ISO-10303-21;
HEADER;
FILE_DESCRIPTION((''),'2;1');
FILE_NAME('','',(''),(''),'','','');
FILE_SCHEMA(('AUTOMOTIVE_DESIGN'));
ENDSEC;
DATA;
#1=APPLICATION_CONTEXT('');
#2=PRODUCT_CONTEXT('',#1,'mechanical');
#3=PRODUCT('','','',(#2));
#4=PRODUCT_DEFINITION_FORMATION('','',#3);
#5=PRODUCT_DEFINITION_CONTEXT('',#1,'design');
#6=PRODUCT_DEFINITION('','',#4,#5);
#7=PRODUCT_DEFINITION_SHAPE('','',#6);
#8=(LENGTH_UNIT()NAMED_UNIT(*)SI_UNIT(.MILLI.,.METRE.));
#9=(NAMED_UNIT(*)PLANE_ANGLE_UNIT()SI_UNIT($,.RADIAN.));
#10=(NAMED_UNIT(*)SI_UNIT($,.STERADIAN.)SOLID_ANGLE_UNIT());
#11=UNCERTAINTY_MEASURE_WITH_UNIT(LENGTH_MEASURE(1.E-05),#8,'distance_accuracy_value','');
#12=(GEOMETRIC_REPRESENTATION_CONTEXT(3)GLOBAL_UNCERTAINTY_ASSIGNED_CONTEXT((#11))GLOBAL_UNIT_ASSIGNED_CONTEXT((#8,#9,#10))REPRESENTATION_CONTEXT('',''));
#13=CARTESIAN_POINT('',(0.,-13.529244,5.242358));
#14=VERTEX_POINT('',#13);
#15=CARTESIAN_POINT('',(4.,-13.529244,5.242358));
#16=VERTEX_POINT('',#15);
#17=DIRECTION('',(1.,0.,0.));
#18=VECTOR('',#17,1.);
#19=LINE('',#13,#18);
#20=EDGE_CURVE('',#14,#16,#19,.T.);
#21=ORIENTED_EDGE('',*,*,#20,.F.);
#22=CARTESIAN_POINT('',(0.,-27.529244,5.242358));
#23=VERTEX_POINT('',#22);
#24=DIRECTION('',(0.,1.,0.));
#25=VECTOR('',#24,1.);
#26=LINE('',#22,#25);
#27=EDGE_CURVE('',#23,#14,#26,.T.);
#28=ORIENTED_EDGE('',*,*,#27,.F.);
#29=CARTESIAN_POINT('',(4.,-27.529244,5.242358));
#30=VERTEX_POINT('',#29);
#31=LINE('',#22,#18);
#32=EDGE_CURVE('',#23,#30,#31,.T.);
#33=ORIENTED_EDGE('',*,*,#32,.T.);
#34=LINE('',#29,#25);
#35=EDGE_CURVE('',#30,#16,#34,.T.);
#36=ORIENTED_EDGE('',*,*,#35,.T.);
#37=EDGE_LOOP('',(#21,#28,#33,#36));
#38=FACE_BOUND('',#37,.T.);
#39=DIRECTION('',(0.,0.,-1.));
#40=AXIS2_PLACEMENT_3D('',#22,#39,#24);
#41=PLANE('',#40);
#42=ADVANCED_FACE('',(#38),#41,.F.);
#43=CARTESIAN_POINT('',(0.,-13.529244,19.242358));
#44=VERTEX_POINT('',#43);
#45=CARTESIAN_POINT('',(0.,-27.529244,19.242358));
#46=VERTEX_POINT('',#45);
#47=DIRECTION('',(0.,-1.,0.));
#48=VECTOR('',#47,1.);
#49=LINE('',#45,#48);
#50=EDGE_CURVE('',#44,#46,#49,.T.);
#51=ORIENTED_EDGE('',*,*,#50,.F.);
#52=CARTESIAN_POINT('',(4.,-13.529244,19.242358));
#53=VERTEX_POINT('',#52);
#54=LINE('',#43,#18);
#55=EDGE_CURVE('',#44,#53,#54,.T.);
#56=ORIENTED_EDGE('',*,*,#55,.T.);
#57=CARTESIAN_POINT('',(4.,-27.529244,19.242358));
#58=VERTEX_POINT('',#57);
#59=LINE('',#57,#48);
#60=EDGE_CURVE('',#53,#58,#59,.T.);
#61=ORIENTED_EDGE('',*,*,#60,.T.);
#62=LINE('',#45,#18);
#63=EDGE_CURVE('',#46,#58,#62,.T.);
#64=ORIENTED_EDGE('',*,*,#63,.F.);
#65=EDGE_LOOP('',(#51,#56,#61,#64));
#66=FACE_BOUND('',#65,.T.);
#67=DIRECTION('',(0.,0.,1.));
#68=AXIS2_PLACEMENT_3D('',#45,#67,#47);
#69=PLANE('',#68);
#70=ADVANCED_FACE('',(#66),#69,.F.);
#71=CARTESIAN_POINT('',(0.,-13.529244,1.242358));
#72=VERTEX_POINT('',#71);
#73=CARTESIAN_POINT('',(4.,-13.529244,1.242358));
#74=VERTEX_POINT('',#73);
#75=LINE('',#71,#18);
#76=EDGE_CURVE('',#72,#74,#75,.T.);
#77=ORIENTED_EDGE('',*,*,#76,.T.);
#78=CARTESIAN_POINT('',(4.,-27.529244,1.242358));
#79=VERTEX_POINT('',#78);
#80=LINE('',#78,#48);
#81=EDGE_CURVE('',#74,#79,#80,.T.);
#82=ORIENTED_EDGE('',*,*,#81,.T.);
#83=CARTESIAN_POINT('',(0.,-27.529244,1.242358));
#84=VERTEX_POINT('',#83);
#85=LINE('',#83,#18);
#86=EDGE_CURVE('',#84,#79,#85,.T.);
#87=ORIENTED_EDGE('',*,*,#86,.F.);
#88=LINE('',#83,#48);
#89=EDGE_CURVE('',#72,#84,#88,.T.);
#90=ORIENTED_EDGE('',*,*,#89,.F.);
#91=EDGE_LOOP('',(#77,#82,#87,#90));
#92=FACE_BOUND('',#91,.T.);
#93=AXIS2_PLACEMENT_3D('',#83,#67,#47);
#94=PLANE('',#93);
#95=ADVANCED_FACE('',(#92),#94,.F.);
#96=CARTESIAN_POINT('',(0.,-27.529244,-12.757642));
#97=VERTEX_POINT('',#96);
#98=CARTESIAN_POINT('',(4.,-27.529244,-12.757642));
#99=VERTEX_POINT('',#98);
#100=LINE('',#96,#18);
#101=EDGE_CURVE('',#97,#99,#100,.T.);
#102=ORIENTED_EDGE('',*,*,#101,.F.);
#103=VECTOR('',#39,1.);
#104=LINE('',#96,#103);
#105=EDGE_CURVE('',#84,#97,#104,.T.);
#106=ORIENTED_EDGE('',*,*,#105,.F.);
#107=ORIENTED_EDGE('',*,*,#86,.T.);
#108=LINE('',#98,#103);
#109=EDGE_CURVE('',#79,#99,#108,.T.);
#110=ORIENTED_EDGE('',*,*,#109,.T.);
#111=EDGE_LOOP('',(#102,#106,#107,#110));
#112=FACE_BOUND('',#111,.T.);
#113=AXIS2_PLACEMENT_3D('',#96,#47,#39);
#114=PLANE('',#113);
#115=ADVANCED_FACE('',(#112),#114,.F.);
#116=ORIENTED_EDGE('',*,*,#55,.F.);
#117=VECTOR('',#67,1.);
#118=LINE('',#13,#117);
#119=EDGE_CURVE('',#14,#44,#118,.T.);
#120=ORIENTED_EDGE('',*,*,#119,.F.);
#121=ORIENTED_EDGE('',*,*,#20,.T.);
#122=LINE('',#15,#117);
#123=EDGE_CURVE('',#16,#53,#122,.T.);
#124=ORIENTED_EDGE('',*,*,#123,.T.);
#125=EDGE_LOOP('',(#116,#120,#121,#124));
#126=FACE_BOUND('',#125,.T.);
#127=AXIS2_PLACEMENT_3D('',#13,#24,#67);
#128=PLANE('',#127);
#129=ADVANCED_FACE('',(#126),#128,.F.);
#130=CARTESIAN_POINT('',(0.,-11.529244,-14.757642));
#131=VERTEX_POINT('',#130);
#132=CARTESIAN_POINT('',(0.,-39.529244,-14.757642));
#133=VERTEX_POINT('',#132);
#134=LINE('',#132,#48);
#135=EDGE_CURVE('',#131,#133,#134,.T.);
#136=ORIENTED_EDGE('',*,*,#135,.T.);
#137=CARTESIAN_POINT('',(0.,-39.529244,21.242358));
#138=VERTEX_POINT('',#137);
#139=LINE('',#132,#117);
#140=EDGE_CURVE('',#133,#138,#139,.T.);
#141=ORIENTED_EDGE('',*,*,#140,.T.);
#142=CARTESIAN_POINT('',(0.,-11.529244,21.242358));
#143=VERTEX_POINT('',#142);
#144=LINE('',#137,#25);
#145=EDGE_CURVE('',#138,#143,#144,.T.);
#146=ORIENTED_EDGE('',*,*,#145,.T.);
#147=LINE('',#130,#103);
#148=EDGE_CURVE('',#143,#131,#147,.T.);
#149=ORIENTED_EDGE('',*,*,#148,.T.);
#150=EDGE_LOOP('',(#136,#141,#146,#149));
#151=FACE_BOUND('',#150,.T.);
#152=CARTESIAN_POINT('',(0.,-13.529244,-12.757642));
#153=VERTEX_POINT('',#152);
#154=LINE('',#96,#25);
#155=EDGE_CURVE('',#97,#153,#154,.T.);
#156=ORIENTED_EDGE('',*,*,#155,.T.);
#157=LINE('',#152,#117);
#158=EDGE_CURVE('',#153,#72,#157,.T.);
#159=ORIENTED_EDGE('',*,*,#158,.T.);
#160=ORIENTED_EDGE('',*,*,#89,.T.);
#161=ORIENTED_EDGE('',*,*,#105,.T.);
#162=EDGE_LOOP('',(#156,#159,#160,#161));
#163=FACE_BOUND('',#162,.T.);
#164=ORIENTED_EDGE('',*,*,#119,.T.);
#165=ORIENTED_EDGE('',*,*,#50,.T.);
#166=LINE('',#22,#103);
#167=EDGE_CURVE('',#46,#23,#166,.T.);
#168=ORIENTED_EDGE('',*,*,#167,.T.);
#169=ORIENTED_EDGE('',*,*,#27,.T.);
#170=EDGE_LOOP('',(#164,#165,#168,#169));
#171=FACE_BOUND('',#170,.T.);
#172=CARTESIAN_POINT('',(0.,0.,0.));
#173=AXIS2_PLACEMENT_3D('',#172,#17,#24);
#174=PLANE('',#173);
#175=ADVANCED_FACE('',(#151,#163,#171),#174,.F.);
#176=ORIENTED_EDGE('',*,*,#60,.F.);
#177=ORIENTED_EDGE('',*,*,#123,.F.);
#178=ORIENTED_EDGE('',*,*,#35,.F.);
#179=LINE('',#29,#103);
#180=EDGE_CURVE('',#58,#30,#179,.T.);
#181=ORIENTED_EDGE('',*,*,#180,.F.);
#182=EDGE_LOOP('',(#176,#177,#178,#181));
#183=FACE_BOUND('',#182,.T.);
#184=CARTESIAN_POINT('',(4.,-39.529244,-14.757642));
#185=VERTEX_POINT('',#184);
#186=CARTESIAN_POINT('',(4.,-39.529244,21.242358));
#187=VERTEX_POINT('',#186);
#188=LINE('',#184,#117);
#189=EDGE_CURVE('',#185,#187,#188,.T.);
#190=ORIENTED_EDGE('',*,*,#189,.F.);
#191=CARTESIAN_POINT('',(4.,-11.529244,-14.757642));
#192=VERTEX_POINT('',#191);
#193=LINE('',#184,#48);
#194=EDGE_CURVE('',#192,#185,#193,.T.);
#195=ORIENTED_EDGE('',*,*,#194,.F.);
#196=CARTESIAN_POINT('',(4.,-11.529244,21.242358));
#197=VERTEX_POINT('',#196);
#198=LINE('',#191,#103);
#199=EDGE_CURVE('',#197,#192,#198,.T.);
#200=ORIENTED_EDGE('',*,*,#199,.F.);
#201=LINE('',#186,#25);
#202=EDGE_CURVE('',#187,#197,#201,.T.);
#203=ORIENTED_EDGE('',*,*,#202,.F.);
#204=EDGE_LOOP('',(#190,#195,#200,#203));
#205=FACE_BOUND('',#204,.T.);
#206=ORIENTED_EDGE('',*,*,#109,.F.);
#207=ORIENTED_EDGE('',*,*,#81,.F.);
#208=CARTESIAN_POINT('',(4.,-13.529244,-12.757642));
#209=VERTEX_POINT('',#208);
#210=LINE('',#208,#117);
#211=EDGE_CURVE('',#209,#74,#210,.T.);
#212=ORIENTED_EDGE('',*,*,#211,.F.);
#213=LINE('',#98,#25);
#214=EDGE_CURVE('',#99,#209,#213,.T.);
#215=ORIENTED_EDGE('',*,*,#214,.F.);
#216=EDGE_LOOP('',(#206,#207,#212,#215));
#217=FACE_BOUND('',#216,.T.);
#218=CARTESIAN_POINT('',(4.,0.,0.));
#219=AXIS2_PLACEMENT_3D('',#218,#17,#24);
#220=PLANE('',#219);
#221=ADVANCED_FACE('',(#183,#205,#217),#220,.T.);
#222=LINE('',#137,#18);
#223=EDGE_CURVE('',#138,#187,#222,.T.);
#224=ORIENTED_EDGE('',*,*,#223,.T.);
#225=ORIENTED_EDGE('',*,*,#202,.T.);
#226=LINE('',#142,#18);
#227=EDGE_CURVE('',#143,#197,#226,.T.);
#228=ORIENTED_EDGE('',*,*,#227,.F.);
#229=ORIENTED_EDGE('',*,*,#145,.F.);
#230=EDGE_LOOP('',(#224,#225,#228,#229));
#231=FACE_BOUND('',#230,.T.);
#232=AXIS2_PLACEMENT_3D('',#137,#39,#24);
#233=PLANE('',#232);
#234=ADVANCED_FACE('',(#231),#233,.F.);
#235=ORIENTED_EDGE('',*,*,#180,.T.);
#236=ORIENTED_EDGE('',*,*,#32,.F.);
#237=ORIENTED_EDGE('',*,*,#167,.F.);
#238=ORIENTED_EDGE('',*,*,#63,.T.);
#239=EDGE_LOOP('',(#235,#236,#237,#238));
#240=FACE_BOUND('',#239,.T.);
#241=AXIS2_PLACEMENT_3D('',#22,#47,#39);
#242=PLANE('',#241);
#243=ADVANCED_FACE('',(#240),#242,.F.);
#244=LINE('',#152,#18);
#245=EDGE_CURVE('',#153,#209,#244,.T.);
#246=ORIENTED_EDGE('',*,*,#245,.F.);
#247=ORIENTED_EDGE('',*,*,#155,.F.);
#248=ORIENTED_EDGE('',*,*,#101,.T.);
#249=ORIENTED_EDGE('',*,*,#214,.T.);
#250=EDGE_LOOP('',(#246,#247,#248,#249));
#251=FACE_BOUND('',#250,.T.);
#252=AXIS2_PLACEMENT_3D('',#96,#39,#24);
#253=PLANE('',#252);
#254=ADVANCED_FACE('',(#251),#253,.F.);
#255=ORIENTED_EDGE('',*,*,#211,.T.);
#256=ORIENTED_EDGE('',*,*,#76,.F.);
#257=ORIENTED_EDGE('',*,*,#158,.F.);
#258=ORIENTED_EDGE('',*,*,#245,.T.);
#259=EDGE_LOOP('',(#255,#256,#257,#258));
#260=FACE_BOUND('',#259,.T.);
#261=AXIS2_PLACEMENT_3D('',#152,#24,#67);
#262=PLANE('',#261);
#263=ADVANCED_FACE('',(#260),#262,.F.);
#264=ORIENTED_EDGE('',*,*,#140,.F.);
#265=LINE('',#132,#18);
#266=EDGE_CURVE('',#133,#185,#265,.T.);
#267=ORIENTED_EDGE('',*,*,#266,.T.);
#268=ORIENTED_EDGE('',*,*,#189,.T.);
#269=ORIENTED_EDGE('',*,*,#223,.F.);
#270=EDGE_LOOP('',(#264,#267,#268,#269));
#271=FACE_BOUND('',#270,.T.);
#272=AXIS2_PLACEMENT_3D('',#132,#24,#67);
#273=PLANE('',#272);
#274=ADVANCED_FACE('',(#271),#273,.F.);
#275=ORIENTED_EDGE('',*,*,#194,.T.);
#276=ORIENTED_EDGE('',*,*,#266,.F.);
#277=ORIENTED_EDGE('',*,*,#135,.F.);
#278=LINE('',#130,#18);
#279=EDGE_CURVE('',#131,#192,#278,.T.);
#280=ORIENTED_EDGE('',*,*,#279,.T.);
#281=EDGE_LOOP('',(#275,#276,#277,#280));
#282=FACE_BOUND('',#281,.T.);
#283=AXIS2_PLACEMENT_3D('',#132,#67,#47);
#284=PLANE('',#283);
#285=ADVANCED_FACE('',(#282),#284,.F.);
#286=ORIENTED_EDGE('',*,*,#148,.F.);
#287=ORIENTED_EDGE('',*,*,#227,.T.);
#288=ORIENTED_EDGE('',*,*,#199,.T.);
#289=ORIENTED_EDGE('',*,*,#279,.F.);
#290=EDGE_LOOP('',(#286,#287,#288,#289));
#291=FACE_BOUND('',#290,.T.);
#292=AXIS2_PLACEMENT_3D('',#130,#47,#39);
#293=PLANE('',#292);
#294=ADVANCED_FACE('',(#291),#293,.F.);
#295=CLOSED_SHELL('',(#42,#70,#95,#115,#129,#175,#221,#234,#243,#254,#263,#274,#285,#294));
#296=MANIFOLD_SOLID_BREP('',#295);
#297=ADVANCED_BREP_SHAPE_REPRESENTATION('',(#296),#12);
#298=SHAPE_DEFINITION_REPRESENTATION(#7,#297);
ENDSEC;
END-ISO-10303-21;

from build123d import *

# Parameters (mm, degrees)
EXTRUDE_1_DEPTH = 4


with BuildPart() as part:
    # Sketch 1 → Бобышка-Вытянуть1 (new body)
    with BuildSketch(Plane(origin=(1e-09, -39.529244173, -14.757642275), x_dir=(9.977709055986143e-13, 0.6139406135149353, 0.7893522173763147), z_dir=(1.0, -1.5354534328683506e-11, 1.0678377959596007e-11))):
        Polygon((0, 0), (28.416679826, 22.101862087), (45.607017004, 0), (17.190337178, -22.101862087), align=None)
        Polygon((34.205262753, 11.401754251), (42.800431342, 0.350823208), (31.749500299, -8.244345381), (23.15433171, 2.806585662), align=None, mode=Mode.SUBTRACT)
        Polygon((8.945991797, -8.244345381), (19.99692284, 0.350823208), (28.592091429, -10.700107836), (17.541160386, -19.295276425), align=None, mode=Mode.SUBTRACT)
    extrude(amount=EXTRUDE_1_DEPTH)


solid = part.part
